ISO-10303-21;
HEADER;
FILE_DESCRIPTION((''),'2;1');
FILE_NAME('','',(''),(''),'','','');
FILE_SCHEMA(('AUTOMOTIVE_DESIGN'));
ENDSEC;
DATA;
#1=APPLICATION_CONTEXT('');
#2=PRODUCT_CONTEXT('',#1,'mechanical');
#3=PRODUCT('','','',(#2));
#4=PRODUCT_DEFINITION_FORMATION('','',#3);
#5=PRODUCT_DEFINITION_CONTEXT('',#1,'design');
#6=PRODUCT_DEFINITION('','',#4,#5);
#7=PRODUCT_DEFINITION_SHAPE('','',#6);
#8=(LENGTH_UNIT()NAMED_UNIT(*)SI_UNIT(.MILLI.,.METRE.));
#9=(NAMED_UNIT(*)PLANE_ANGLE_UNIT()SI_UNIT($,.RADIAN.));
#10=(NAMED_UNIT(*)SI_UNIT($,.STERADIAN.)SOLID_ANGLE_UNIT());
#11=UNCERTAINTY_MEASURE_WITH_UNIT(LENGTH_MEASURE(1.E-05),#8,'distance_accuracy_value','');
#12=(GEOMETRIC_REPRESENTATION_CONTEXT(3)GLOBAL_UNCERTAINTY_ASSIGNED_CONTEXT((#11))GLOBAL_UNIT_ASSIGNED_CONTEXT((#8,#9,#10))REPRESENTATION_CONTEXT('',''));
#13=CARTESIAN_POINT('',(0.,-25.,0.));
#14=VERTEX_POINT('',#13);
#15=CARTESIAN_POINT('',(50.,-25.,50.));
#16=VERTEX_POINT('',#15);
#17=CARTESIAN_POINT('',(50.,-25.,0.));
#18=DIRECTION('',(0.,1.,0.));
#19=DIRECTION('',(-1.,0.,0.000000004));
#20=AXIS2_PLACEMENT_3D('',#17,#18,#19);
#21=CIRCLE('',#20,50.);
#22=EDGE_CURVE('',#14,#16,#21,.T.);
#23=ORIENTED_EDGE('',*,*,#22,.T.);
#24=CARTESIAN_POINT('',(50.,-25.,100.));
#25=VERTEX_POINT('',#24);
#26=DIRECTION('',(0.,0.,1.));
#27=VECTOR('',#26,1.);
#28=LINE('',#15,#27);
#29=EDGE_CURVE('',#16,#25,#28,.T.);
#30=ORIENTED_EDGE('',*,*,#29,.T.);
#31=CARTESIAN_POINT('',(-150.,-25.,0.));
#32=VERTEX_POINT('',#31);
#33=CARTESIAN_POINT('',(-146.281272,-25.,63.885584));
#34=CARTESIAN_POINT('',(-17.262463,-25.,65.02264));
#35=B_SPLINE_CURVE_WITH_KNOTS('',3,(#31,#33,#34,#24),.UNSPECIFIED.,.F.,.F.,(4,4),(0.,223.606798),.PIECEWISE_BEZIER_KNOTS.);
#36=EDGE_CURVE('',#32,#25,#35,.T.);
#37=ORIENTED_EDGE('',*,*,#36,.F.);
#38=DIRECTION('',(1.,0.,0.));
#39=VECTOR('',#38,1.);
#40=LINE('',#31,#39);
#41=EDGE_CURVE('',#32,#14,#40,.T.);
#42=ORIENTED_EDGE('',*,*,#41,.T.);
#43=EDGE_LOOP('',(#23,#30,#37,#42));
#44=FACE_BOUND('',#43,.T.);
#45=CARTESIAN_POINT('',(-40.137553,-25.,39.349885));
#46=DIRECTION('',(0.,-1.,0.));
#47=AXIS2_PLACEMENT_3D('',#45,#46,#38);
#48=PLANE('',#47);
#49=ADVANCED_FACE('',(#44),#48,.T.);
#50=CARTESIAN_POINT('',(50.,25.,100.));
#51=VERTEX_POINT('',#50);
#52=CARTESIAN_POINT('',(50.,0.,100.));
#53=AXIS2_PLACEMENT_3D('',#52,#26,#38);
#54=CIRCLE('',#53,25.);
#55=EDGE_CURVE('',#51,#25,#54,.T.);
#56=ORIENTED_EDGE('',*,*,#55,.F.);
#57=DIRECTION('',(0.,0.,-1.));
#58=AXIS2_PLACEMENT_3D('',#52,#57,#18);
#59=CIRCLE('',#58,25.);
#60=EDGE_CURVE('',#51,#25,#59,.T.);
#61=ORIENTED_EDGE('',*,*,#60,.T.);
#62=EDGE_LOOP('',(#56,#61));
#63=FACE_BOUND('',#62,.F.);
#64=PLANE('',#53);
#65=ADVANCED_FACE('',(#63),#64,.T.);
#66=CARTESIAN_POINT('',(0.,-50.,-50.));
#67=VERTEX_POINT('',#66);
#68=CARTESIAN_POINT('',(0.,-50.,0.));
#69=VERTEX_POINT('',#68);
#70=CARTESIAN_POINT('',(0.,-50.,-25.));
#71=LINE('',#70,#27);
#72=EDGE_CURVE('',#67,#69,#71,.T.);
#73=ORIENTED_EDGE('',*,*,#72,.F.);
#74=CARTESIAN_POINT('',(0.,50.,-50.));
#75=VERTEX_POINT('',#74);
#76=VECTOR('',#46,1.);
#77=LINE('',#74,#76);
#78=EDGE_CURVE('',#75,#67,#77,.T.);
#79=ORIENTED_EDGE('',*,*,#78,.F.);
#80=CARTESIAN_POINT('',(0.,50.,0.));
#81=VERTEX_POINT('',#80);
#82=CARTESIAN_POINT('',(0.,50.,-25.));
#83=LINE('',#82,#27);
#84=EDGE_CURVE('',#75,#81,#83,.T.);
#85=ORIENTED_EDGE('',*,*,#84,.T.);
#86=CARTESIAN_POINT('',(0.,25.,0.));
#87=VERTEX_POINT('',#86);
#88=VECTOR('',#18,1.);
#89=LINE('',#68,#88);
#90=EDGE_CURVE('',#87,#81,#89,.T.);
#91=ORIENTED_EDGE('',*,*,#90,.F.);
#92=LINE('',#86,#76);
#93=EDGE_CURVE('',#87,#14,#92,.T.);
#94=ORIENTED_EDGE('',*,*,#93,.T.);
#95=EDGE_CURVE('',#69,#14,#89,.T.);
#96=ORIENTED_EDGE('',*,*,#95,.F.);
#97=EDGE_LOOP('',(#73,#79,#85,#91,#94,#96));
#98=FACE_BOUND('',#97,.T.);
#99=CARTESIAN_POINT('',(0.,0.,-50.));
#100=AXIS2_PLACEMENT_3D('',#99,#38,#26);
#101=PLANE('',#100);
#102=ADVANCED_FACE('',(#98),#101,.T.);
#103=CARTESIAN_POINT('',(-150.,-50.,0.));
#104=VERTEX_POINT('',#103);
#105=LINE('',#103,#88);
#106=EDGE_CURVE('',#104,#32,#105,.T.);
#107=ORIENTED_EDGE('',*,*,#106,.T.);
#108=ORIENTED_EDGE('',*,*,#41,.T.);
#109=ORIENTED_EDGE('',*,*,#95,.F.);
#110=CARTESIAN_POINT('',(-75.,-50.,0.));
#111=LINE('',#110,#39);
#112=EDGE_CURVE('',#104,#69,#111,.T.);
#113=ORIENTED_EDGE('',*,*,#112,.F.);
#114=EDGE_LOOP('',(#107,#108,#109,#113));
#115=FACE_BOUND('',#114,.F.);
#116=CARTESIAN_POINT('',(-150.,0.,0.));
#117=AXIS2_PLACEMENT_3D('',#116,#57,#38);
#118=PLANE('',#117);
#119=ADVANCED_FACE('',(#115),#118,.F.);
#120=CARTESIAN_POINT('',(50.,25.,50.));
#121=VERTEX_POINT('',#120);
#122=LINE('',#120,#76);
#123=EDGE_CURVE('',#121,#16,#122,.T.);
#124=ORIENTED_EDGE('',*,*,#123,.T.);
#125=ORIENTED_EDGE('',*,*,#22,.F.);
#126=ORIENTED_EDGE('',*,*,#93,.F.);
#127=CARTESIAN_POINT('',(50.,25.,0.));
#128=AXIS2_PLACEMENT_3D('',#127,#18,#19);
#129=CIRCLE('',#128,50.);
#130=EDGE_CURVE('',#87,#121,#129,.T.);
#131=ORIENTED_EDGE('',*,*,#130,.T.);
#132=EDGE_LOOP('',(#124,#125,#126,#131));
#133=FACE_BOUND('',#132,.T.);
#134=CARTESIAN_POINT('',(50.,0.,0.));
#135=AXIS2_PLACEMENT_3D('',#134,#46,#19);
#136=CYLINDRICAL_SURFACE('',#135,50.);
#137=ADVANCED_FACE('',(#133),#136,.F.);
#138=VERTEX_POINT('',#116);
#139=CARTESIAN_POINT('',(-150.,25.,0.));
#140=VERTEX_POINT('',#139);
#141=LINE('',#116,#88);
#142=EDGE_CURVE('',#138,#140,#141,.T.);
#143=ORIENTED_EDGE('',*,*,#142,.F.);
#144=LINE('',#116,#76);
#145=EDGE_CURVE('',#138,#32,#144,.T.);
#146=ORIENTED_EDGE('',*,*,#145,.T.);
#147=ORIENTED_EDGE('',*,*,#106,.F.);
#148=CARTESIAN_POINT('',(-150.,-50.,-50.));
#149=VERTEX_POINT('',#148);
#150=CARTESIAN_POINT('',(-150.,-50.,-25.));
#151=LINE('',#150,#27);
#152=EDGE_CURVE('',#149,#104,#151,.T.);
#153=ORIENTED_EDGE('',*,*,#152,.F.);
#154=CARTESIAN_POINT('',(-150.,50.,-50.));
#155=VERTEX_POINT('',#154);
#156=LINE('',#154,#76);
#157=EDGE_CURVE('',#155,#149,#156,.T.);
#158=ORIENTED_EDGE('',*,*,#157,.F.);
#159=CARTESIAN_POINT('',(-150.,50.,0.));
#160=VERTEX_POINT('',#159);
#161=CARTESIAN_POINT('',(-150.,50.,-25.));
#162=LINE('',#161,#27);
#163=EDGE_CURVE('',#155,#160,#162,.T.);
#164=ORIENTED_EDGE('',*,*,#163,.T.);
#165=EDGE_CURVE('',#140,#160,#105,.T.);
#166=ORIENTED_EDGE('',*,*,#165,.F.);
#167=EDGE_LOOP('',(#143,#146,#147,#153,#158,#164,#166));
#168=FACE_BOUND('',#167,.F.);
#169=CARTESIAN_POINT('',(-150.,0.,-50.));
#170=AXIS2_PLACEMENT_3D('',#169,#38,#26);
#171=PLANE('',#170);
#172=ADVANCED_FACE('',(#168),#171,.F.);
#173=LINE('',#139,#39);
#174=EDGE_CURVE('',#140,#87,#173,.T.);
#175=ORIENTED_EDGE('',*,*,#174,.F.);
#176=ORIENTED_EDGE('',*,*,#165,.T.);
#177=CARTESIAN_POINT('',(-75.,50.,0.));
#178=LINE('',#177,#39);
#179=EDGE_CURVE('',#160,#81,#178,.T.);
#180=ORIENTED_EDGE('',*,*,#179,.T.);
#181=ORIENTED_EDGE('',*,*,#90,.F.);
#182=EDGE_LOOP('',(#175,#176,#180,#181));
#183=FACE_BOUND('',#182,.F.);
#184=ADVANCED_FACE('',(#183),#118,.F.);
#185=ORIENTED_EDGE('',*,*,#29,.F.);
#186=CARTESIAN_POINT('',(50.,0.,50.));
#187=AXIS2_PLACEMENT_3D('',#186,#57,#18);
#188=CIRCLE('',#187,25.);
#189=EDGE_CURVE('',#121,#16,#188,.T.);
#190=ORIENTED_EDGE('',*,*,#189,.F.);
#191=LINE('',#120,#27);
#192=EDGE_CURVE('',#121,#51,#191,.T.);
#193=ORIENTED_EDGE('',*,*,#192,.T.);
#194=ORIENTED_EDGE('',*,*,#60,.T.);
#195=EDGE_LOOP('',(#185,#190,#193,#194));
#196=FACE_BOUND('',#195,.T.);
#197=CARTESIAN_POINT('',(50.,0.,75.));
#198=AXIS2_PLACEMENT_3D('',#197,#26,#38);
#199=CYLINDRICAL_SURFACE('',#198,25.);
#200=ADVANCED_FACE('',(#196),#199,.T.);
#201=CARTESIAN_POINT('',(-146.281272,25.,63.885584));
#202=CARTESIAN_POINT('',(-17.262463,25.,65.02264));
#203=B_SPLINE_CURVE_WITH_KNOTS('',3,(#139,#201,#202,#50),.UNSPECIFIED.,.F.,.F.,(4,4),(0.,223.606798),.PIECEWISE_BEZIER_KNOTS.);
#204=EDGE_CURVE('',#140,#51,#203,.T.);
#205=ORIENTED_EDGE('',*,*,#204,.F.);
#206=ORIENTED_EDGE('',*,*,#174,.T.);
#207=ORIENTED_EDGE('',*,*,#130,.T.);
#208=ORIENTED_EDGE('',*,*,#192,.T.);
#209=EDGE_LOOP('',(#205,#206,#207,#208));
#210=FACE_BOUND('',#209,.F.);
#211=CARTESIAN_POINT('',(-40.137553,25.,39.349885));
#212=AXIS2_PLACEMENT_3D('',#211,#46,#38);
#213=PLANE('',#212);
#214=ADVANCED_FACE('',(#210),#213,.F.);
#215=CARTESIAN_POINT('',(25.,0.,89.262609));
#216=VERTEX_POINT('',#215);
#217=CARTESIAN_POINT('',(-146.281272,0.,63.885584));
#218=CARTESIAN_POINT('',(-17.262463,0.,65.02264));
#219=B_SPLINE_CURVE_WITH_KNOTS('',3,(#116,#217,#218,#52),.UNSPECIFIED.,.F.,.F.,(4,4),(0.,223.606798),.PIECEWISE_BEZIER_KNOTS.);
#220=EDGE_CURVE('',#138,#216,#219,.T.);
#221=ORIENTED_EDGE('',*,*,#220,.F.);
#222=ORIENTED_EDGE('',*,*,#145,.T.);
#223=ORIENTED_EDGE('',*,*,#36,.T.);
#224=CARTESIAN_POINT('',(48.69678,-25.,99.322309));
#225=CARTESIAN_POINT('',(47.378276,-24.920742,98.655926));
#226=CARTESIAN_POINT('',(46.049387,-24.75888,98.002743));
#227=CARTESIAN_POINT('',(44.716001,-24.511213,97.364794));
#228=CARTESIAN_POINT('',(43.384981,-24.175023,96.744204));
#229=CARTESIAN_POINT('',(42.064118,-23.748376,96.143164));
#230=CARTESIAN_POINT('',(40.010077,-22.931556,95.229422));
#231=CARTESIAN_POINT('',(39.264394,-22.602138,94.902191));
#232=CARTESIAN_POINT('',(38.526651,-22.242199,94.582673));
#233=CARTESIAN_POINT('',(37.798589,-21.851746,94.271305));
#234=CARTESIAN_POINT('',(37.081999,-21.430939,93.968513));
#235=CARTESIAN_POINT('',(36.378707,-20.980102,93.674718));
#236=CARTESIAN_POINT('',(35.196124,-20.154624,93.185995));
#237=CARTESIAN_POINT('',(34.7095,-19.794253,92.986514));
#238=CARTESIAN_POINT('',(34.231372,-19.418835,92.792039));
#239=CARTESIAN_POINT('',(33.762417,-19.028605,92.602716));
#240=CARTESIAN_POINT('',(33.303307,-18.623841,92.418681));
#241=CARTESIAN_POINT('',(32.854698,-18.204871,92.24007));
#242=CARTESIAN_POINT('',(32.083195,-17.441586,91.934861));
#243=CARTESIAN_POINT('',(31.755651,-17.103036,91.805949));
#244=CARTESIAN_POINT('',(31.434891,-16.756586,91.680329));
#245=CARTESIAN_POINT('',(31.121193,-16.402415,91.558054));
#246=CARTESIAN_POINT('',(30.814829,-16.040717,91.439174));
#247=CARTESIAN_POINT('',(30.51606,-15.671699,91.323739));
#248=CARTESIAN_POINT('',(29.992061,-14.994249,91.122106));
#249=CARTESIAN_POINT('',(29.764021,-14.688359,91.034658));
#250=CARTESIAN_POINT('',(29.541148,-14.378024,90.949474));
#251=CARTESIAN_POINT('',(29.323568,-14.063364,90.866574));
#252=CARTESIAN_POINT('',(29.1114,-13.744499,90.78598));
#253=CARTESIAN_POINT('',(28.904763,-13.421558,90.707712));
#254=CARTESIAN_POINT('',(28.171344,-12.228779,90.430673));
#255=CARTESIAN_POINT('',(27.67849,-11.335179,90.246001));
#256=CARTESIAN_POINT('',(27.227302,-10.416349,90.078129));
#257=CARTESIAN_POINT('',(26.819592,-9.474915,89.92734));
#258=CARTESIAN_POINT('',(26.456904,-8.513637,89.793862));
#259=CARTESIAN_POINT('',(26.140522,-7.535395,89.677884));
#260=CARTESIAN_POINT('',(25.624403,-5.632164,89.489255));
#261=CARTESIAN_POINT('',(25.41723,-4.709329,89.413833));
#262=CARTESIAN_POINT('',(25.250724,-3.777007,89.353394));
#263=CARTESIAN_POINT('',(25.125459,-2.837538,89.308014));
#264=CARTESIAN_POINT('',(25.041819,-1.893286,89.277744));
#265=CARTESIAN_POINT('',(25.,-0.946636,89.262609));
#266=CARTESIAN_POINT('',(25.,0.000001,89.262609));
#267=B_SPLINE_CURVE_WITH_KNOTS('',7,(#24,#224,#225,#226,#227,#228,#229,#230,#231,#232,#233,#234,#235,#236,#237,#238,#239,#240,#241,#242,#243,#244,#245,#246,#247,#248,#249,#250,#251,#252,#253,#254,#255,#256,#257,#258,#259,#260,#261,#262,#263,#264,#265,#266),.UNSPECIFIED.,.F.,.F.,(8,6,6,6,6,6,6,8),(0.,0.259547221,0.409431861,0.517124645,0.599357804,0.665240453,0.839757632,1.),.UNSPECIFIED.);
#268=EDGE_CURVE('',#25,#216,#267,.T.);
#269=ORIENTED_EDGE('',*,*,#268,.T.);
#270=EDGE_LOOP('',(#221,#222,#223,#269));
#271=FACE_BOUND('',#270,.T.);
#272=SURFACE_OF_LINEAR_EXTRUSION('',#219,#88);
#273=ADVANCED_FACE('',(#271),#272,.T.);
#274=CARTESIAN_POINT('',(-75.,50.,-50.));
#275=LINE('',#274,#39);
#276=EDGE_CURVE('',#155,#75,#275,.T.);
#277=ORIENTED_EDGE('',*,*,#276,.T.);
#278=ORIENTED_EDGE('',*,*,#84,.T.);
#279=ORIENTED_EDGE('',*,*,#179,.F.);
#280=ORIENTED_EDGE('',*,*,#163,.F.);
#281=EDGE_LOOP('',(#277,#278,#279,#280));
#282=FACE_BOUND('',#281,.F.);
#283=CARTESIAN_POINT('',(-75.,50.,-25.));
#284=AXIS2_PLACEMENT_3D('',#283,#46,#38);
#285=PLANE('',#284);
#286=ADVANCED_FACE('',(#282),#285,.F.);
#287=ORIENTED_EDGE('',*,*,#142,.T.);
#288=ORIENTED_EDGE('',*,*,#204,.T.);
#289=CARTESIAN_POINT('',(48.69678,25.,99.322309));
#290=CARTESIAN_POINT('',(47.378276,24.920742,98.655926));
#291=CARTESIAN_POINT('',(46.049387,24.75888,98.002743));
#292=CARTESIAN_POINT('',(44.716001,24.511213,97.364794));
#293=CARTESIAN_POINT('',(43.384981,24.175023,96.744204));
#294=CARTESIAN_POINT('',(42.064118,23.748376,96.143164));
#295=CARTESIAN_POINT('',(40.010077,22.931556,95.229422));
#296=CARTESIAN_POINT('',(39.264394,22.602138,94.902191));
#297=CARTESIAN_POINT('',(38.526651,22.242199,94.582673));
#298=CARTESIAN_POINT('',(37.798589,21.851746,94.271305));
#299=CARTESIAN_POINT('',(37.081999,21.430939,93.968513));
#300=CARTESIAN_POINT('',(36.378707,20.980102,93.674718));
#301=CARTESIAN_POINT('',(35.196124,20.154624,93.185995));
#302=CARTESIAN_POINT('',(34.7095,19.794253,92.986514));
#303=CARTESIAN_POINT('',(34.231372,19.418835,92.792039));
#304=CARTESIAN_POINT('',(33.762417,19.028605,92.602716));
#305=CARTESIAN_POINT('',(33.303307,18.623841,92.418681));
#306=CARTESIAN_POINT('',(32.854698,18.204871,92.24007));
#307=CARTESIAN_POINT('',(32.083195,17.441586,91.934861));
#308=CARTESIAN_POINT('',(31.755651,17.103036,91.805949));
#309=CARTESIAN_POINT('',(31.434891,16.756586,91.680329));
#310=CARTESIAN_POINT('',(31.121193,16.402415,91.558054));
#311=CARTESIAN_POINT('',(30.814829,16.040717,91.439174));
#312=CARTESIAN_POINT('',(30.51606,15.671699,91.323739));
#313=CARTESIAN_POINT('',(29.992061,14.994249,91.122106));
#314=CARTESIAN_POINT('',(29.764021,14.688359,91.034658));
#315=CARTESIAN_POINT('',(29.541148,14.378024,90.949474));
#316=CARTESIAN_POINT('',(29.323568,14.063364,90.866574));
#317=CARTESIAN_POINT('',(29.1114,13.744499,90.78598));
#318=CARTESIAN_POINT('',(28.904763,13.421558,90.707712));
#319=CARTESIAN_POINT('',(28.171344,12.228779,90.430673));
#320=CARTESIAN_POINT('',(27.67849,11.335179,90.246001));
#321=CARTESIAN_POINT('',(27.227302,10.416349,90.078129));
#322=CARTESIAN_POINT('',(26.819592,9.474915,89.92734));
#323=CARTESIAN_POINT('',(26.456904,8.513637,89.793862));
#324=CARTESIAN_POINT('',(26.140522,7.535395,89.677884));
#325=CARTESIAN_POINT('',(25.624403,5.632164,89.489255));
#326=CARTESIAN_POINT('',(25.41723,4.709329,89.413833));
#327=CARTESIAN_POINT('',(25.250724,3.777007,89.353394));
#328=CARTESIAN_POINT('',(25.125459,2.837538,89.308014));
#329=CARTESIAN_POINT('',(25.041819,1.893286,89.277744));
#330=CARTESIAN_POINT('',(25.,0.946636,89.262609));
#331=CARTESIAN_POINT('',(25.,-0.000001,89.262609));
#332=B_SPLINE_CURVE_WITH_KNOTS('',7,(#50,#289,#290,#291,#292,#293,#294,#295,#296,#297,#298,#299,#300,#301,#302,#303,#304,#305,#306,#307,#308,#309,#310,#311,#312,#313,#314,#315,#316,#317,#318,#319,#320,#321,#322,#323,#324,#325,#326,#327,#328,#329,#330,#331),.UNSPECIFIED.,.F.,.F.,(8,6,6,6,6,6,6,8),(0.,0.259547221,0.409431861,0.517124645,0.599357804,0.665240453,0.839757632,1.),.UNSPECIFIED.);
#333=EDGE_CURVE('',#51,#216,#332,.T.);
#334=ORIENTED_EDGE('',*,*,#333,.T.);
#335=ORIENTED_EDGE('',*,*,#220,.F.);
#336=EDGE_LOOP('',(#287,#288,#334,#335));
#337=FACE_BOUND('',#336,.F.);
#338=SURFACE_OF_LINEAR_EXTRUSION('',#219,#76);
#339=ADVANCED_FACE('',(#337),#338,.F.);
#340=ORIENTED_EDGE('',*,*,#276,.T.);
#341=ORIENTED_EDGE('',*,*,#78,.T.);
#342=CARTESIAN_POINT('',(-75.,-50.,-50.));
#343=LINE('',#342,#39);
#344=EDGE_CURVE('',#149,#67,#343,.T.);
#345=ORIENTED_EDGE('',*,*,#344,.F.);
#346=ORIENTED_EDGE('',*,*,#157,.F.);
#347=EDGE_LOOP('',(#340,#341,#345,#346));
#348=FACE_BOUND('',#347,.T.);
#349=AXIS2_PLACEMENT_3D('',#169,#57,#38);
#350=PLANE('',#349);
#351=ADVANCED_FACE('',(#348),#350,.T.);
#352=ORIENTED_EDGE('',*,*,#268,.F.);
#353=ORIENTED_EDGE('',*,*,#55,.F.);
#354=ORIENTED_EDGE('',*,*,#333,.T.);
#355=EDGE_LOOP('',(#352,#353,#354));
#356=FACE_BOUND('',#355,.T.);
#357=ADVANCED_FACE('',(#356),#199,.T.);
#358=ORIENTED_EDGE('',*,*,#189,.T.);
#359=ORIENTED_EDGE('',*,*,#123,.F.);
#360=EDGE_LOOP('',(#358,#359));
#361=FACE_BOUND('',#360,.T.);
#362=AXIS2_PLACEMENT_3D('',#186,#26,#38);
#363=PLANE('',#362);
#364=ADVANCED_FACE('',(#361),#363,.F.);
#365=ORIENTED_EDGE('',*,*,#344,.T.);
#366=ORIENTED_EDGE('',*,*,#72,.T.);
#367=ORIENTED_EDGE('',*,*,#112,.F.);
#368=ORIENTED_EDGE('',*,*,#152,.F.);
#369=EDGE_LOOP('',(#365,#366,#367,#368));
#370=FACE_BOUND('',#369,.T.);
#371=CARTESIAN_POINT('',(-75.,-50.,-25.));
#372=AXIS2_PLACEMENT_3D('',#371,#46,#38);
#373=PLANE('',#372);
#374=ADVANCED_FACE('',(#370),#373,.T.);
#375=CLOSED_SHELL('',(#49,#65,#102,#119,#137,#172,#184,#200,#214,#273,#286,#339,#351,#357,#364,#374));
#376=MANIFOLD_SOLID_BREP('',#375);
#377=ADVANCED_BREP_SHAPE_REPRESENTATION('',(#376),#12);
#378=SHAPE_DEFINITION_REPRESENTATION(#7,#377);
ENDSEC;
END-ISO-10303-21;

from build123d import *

# Parameters (mm, degrees)
F0_W     = 150
F0_H     = 50
F1_DEPTH = 50
F2_DEPTH = 25
F0_W_2   = 25


with BuildPart() as f1:
    # F0 (on Front) → F1 (new body, symmetric)
    with BuildSketch(Plane.XZ):
        with Locations((-75, -25)):
            Rectangle(F0_W, F0_H)
    extrude(amount=F1_DEPTH, both=True)

    # F0 (on Front) → F2 (join, symmetric)
    with BuildSketch(Plane.XZ):
        with BuildLine():
            Line((-150, 0), (0, 0))
            ThreePointArc((0, 0), (14.644661, 35.355339), (50, 50))
            Line((50, 50), (50, 100))
            add(Edge.make_bspline(
                [(-150, 0), (-146.281272, 63.885584), (-17.262463, 65.02264), (50, 100)],
                knots=[0, 0, 0, 0, 223.606798, 223.606798, 223.606798, 223.606798], degree=3))
        make_face()
    extrude(amount=F2_DEPTH, both=True)

    # F0 (on Front) → F3 (revolve)
    with BuildSketch(Plane.XZ):
        with Locations((62.5, 75)):
            Rectangle(F0_W_2, F0_H)
    revolve(axis=Axis((50, 0, 75), (0, 0, 1)))


solid = f1.part
